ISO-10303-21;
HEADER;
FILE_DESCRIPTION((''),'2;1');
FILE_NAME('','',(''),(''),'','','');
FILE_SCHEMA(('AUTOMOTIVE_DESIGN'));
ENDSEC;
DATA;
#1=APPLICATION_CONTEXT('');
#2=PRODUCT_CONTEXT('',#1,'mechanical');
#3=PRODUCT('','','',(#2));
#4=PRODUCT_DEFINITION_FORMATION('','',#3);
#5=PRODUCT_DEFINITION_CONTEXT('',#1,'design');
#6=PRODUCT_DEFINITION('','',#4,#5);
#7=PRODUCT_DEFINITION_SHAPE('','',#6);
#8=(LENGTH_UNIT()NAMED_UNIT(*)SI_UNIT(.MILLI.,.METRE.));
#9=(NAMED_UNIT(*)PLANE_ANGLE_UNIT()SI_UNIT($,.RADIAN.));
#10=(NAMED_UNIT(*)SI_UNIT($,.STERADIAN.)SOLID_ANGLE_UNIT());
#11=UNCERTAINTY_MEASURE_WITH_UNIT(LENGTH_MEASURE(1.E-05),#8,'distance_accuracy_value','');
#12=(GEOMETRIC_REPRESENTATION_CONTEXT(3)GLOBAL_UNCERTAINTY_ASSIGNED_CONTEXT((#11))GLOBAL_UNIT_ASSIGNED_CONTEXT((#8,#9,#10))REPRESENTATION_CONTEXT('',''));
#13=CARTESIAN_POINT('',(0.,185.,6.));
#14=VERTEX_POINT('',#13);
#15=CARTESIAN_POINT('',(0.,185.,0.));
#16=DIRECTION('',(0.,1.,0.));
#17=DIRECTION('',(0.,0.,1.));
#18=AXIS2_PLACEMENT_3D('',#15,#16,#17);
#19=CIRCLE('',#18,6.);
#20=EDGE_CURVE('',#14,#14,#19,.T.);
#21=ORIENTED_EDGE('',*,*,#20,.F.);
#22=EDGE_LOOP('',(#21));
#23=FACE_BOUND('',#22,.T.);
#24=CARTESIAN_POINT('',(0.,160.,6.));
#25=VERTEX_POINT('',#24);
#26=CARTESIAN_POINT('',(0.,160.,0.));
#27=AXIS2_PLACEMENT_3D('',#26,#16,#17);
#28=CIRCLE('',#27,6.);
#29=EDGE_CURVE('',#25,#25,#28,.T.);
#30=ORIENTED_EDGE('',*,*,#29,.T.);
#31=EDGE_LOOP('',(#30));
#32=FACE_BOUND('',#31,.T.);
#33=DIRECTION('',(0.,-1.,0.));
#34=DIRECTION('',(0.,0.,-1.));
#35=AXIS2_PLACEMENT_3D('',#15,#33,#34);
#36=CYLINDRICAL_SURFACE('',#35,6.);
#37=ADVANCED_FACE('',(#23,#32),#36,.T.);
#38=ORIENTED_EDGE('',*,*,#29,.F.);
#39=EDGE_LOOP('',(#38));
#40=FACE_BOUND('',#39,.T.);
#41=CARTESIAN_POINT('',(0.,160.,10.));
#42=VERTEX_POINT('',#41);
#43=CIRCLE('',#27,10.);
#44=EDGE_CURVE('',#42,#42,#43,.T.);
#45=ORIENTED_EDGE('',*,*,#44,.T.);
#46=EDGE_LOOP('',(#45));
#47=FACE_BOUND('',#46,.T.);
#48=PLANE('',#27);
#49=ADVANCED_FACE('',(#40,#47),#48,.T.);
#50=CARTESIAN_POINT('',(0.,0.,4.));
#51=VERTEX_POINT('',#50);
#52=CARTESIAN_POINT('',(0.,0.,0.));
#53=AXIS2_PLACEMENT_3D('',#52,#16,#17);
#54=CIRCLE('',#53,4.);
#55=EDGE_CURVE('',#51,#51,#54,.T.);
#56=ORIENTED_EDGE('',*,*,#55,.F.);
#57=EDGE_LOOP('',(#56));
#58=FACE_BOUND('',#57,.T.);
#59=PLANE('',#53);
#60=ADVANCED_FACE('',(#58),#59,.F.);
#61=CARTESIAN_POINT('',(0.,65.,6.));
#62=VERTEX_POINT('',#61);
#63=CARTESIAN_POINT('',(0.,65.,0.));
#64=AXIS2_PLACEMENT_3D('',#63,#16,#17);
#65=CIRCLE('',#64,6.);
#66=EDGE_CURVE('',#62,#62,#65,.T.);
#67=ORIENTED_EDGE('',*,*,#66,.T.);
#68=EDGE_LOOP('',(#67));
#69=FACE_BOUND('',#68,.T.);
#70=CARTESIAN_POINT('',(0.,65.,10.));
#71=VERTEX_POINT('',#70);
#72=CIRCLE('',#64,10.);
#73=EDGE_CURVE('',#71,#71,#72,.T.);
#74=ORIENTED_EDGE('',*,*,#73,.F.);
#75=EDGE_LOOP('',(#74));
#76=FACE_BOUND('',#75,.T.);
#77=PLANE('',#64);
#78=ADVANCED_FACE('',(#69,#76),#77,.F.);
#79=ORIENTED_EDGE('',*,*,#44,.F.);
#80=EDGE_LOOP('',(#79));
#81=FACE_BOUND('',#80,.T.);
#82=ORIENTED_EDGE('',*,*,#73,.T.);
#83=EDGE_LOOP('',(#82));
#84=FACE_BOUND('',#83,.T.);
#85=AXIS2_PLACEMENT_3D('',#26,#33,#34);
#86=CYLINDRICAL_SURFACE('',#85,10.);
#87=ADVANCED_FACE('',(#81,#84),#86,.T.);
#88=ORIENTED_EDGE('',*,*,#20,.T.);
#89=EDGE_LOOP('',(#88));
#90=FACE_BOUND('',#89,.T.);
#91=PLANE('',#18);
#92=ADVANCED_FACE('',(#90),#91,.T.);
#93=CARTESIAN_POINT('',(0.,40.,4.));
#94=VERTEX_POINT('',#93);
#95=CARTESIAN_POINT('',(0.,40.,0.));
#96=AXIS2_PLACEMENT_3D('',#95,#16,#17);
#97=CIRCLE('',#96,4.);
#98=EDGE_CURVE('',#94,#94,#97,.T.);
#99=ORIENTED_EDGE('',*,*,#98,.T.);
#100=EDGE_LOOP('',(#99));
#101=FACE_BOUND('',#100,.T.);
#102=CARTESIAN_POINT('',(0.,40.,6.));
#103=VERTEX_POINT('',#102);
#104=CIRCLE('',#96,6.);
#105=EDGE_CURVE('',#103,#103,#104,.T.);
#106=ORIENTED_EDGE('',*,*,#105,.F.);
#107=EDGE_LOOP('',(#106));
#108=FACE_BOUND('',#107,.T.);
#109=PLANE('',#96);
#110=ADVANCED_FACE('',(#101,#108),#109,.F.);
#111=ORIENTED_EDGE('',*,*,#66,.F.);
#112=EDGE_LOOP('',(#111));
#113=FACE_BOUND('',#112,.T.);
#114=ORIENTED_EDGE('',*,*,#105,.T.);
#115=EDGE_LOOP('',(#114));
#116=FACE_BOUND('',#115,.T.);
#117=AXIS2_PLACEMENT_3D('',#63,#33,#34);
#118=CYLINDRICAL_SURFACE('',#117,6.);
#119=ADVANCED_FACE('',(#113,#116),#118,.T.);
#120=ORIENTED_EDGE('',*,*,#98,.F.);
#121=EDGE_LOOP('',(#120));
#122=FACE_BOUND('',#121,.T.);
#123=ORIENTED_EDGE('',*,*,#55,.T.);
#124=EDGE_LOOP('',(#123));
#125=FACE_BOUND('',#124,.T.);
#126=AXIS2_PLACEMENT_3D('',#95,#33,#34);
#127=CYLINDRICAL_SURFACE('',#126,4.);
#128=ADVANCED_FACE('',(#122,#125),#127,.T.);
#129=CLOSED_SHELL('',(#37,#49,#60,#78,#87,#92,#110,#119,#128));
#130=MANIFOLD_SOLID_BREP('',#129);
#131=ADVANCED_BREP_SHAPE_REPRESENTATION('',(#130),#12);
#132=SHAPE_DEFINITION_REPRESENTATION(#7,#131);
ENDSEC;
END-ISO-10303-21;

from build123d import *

# Parameters (mm, degrees)
SKETCH_2_R      = 4
EXTRUDE_1_DEPTH = 40
SKETCH_3_R      = 6
EXTRUDE_3_DEPTH = 25
SKETCH_4_R      = 10
EXTRUDE_4_DEPTH = 95
SKETCH_5_R      = 6
EXTRUDE_5_DEPTH = 25


with BuildPart() as part:
    # Эскиз2 → Бобышка-Вытянуть1 (new body)
    with BuildSketch(Plane(origin=(0, 0, 0), x_dir=(1, 0, 0), z_dir=(0, 1, 0))):
        with Locations(Location((0, 0, 0), (0, 0, 270))):
            Circle(SKETCH_2_R)
    extrude(amount=EXTRUDE_1_DEPTH)

    # Эскиз3 → Бобышка-Вытянуть3 (add)
    with BuildSketch(Plane(origin=(0, 40, 0), x_dir=(1, 0, 0), z_dir=(0, 1, 0))):
        with Locations(Location((0, 0, 0), (0, 0, 270))):
            Circle(SKETCH_3_R)
    extrude(amount=EXTRUDE_3_DEPTH)

    # Эскиз4 → Бобышка-Вытянуть4 (add)
    with BuildSketch(Plane(origin=(0, 65, 0), x_dir=(1, 0, 0), z_dir=(0, 1, 0))):
        with Locations(Location((0, 0, 0), (0, 0, 270))):
            Circle(SKETCH_4_R)
    extrude(amount=EXTRUDE_4_DEPTH)

    # Эскиз5 → Бобышка-Вытянуть5 (add)
    with BuildSketch(Plane(origin=(0, 160, 0), x_dir=(1, 0, 0), z_dir=(0, 1, 0))):
        with Locations(Location((0, 0, 0), (0, 0, 270))):
            Circle(SKETCH_5_R)
    extrude(amount=EXTRUDE_5_DEPTH)


solid = part.part
